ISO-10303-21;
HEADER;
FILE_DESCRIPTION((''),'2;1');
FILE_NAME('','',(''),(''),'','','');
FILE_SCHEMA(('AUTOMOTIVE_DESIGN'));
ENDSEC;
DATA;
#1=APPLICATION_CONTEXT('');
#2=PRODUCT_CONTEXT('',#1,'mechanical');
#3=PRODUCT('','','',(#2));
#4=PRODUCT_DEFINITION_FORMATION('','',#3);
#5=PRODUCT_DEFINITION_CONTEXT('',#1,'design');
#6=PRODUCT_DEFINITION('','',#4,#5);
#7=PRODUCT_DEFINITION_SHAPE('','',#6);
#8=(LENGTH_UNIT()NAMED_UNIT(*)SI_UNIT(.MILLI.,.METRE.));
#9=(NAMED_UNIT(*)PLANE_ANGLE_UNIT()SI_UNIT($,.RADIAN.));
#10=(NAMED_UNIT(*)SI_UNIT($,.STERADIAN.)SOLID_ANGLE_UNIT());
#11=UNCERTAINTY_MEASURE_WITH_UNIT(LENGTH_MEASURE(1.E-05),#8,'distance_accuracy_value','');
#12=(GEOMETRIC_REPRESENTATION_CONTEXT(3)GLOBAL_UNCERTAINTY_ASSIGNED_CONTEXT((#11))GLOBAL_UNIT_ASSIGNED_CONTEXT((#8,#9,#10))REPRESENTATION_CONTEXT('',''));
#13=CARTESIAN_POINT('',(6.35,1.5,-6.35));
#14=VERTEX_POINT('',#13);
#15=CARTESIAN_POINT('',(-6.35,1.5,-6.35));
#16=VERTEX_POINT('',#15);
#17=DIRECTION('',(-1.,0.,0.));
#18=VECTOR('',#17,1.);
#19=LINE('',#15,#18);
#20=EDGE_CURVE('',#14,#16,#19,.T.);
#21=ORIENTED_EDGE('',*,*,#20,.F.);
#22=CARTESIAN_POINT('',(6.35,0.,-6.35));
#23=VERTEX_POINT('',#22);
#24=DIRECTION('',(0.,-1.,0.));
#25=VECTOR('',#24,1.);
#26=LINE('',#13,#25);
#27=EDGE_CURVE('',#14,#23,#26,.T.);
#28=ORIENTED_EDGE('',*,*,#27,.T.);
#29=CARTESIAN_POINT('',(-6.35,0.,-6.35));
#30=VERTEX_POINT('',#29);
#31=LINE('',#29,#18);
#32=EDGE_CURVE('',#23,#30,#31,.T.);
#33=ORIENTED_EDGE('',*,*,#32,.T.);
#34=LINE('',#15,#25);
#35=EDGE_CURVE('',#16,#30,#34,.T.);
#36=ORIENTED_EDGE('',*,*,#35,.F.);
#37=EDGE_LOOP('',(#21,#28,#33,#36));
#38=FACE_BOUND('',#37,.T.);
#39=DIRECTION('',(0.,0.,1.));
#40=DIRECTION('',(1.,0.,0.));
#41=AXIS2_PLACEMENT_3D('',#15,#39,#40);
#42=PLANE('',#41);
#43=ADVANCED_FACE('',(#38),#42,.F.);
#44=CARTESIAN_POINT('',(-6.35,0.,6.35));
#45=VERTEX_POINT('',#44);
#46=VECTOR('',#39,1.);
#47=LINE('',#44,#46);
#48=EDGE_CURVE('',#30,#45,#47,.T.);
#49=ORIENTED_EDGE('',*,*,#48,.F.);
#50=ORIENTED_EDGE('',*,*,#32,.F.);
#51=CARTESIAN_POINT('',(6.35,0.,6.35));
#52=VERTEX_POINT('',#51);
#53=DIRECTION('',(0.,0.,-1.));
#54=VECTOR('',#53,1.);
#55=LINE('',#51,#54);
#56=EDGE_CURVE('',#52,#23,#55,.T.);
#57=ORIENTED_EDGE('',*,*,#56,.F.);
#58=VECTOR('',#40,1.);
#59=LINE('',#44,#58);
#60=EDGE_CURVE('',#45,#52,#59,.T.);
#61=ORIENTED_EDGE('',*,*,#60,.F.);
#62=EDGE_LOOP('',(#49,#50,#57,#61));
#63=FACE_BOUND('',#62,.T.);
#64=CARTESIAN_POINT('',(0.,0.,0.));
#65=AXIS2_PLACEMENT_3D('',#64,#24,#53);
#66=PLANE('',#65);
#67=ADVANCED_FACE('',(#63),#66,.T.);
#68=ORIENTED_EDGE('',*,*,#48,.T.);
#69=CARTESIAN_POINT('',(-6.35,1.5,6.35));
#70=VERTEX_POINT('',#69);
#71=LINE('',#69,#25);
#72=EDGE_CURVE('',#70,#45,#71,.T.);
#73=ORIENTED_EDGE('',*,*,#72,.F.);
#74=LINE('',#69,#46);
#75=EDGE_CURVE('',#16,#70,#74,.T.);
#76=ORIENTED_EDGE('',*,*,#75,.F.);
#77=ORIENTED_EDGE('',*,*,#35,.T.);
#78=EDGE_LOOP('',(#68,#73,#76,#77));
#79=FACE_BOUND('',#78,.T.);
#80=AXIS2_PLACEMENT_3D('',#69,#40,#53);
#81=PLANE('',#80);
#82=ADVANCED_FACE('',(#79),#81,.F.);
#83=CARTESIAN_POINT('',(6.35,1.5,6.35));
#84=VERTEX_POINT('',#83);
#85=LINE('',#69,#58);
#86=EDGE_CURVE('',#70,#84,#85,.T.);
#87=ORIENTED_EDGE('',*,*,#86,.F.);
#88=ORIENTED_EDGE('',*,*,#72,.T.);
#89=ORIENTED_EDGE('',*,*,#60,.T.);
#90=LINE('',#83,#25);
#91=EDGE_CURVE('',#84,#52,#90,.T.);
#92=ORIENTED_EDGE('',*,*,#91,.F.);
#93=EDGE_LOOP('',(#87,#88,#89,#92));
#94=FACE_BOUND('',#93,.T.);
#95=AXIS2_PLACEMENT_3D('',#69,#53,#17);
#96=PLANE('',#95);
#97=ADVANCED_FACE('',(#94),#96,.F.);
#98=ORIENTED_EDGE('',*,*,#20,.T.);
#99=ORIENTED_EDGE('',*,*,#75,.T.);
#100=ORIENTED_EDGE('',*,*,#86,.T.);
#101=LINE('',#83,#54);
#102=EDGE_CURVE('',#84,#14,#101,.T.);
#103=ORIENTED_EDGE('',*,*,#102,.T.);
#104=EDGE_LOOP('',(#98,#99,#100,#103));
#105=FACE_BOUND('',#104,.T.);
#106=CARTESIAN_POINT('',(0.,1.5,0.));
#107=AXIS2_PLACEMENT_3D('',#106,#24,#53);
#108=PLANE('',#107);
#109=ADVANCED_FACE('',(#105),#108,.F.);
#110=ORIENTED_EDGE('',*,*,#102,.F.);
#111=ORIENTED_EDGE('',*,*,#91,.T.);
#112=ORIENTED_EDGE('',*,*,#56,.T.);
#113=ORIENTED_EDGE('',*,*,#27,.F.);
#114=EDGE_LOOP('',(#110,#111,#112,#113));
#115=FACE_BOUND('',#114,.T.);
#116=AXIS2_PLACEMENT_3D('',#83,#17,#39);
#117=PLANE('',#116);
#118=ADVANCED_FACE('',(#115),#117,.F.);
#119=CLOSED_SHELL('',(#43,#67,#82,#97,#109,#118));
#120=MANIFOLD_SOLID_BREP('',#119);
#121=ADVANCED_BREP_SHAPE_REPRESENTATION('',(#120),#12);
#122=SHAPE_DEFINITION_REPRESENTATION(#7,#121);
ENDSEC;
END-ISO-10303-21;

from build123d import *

# Parameters (mm, degrees)
SKETCH_1_W      = 12.7
SKETCH_1_H      = 12.7
EXTRUDE_1_DEPTH = 1.5


with BuildPart() as part:
    # 草图1 → 凸台-拉伸1 (new body)
    with BuildSketch(Plane(origin=(0, 0, 0), x_dir=(1, 0, 0), z_dir=(0, 1, 0))):
        Rectangle(SKETCH_1_W, SKETCH_1_H)
    extrude(amount=EXTRUDE_1_DEPTH)


solid = part.part
